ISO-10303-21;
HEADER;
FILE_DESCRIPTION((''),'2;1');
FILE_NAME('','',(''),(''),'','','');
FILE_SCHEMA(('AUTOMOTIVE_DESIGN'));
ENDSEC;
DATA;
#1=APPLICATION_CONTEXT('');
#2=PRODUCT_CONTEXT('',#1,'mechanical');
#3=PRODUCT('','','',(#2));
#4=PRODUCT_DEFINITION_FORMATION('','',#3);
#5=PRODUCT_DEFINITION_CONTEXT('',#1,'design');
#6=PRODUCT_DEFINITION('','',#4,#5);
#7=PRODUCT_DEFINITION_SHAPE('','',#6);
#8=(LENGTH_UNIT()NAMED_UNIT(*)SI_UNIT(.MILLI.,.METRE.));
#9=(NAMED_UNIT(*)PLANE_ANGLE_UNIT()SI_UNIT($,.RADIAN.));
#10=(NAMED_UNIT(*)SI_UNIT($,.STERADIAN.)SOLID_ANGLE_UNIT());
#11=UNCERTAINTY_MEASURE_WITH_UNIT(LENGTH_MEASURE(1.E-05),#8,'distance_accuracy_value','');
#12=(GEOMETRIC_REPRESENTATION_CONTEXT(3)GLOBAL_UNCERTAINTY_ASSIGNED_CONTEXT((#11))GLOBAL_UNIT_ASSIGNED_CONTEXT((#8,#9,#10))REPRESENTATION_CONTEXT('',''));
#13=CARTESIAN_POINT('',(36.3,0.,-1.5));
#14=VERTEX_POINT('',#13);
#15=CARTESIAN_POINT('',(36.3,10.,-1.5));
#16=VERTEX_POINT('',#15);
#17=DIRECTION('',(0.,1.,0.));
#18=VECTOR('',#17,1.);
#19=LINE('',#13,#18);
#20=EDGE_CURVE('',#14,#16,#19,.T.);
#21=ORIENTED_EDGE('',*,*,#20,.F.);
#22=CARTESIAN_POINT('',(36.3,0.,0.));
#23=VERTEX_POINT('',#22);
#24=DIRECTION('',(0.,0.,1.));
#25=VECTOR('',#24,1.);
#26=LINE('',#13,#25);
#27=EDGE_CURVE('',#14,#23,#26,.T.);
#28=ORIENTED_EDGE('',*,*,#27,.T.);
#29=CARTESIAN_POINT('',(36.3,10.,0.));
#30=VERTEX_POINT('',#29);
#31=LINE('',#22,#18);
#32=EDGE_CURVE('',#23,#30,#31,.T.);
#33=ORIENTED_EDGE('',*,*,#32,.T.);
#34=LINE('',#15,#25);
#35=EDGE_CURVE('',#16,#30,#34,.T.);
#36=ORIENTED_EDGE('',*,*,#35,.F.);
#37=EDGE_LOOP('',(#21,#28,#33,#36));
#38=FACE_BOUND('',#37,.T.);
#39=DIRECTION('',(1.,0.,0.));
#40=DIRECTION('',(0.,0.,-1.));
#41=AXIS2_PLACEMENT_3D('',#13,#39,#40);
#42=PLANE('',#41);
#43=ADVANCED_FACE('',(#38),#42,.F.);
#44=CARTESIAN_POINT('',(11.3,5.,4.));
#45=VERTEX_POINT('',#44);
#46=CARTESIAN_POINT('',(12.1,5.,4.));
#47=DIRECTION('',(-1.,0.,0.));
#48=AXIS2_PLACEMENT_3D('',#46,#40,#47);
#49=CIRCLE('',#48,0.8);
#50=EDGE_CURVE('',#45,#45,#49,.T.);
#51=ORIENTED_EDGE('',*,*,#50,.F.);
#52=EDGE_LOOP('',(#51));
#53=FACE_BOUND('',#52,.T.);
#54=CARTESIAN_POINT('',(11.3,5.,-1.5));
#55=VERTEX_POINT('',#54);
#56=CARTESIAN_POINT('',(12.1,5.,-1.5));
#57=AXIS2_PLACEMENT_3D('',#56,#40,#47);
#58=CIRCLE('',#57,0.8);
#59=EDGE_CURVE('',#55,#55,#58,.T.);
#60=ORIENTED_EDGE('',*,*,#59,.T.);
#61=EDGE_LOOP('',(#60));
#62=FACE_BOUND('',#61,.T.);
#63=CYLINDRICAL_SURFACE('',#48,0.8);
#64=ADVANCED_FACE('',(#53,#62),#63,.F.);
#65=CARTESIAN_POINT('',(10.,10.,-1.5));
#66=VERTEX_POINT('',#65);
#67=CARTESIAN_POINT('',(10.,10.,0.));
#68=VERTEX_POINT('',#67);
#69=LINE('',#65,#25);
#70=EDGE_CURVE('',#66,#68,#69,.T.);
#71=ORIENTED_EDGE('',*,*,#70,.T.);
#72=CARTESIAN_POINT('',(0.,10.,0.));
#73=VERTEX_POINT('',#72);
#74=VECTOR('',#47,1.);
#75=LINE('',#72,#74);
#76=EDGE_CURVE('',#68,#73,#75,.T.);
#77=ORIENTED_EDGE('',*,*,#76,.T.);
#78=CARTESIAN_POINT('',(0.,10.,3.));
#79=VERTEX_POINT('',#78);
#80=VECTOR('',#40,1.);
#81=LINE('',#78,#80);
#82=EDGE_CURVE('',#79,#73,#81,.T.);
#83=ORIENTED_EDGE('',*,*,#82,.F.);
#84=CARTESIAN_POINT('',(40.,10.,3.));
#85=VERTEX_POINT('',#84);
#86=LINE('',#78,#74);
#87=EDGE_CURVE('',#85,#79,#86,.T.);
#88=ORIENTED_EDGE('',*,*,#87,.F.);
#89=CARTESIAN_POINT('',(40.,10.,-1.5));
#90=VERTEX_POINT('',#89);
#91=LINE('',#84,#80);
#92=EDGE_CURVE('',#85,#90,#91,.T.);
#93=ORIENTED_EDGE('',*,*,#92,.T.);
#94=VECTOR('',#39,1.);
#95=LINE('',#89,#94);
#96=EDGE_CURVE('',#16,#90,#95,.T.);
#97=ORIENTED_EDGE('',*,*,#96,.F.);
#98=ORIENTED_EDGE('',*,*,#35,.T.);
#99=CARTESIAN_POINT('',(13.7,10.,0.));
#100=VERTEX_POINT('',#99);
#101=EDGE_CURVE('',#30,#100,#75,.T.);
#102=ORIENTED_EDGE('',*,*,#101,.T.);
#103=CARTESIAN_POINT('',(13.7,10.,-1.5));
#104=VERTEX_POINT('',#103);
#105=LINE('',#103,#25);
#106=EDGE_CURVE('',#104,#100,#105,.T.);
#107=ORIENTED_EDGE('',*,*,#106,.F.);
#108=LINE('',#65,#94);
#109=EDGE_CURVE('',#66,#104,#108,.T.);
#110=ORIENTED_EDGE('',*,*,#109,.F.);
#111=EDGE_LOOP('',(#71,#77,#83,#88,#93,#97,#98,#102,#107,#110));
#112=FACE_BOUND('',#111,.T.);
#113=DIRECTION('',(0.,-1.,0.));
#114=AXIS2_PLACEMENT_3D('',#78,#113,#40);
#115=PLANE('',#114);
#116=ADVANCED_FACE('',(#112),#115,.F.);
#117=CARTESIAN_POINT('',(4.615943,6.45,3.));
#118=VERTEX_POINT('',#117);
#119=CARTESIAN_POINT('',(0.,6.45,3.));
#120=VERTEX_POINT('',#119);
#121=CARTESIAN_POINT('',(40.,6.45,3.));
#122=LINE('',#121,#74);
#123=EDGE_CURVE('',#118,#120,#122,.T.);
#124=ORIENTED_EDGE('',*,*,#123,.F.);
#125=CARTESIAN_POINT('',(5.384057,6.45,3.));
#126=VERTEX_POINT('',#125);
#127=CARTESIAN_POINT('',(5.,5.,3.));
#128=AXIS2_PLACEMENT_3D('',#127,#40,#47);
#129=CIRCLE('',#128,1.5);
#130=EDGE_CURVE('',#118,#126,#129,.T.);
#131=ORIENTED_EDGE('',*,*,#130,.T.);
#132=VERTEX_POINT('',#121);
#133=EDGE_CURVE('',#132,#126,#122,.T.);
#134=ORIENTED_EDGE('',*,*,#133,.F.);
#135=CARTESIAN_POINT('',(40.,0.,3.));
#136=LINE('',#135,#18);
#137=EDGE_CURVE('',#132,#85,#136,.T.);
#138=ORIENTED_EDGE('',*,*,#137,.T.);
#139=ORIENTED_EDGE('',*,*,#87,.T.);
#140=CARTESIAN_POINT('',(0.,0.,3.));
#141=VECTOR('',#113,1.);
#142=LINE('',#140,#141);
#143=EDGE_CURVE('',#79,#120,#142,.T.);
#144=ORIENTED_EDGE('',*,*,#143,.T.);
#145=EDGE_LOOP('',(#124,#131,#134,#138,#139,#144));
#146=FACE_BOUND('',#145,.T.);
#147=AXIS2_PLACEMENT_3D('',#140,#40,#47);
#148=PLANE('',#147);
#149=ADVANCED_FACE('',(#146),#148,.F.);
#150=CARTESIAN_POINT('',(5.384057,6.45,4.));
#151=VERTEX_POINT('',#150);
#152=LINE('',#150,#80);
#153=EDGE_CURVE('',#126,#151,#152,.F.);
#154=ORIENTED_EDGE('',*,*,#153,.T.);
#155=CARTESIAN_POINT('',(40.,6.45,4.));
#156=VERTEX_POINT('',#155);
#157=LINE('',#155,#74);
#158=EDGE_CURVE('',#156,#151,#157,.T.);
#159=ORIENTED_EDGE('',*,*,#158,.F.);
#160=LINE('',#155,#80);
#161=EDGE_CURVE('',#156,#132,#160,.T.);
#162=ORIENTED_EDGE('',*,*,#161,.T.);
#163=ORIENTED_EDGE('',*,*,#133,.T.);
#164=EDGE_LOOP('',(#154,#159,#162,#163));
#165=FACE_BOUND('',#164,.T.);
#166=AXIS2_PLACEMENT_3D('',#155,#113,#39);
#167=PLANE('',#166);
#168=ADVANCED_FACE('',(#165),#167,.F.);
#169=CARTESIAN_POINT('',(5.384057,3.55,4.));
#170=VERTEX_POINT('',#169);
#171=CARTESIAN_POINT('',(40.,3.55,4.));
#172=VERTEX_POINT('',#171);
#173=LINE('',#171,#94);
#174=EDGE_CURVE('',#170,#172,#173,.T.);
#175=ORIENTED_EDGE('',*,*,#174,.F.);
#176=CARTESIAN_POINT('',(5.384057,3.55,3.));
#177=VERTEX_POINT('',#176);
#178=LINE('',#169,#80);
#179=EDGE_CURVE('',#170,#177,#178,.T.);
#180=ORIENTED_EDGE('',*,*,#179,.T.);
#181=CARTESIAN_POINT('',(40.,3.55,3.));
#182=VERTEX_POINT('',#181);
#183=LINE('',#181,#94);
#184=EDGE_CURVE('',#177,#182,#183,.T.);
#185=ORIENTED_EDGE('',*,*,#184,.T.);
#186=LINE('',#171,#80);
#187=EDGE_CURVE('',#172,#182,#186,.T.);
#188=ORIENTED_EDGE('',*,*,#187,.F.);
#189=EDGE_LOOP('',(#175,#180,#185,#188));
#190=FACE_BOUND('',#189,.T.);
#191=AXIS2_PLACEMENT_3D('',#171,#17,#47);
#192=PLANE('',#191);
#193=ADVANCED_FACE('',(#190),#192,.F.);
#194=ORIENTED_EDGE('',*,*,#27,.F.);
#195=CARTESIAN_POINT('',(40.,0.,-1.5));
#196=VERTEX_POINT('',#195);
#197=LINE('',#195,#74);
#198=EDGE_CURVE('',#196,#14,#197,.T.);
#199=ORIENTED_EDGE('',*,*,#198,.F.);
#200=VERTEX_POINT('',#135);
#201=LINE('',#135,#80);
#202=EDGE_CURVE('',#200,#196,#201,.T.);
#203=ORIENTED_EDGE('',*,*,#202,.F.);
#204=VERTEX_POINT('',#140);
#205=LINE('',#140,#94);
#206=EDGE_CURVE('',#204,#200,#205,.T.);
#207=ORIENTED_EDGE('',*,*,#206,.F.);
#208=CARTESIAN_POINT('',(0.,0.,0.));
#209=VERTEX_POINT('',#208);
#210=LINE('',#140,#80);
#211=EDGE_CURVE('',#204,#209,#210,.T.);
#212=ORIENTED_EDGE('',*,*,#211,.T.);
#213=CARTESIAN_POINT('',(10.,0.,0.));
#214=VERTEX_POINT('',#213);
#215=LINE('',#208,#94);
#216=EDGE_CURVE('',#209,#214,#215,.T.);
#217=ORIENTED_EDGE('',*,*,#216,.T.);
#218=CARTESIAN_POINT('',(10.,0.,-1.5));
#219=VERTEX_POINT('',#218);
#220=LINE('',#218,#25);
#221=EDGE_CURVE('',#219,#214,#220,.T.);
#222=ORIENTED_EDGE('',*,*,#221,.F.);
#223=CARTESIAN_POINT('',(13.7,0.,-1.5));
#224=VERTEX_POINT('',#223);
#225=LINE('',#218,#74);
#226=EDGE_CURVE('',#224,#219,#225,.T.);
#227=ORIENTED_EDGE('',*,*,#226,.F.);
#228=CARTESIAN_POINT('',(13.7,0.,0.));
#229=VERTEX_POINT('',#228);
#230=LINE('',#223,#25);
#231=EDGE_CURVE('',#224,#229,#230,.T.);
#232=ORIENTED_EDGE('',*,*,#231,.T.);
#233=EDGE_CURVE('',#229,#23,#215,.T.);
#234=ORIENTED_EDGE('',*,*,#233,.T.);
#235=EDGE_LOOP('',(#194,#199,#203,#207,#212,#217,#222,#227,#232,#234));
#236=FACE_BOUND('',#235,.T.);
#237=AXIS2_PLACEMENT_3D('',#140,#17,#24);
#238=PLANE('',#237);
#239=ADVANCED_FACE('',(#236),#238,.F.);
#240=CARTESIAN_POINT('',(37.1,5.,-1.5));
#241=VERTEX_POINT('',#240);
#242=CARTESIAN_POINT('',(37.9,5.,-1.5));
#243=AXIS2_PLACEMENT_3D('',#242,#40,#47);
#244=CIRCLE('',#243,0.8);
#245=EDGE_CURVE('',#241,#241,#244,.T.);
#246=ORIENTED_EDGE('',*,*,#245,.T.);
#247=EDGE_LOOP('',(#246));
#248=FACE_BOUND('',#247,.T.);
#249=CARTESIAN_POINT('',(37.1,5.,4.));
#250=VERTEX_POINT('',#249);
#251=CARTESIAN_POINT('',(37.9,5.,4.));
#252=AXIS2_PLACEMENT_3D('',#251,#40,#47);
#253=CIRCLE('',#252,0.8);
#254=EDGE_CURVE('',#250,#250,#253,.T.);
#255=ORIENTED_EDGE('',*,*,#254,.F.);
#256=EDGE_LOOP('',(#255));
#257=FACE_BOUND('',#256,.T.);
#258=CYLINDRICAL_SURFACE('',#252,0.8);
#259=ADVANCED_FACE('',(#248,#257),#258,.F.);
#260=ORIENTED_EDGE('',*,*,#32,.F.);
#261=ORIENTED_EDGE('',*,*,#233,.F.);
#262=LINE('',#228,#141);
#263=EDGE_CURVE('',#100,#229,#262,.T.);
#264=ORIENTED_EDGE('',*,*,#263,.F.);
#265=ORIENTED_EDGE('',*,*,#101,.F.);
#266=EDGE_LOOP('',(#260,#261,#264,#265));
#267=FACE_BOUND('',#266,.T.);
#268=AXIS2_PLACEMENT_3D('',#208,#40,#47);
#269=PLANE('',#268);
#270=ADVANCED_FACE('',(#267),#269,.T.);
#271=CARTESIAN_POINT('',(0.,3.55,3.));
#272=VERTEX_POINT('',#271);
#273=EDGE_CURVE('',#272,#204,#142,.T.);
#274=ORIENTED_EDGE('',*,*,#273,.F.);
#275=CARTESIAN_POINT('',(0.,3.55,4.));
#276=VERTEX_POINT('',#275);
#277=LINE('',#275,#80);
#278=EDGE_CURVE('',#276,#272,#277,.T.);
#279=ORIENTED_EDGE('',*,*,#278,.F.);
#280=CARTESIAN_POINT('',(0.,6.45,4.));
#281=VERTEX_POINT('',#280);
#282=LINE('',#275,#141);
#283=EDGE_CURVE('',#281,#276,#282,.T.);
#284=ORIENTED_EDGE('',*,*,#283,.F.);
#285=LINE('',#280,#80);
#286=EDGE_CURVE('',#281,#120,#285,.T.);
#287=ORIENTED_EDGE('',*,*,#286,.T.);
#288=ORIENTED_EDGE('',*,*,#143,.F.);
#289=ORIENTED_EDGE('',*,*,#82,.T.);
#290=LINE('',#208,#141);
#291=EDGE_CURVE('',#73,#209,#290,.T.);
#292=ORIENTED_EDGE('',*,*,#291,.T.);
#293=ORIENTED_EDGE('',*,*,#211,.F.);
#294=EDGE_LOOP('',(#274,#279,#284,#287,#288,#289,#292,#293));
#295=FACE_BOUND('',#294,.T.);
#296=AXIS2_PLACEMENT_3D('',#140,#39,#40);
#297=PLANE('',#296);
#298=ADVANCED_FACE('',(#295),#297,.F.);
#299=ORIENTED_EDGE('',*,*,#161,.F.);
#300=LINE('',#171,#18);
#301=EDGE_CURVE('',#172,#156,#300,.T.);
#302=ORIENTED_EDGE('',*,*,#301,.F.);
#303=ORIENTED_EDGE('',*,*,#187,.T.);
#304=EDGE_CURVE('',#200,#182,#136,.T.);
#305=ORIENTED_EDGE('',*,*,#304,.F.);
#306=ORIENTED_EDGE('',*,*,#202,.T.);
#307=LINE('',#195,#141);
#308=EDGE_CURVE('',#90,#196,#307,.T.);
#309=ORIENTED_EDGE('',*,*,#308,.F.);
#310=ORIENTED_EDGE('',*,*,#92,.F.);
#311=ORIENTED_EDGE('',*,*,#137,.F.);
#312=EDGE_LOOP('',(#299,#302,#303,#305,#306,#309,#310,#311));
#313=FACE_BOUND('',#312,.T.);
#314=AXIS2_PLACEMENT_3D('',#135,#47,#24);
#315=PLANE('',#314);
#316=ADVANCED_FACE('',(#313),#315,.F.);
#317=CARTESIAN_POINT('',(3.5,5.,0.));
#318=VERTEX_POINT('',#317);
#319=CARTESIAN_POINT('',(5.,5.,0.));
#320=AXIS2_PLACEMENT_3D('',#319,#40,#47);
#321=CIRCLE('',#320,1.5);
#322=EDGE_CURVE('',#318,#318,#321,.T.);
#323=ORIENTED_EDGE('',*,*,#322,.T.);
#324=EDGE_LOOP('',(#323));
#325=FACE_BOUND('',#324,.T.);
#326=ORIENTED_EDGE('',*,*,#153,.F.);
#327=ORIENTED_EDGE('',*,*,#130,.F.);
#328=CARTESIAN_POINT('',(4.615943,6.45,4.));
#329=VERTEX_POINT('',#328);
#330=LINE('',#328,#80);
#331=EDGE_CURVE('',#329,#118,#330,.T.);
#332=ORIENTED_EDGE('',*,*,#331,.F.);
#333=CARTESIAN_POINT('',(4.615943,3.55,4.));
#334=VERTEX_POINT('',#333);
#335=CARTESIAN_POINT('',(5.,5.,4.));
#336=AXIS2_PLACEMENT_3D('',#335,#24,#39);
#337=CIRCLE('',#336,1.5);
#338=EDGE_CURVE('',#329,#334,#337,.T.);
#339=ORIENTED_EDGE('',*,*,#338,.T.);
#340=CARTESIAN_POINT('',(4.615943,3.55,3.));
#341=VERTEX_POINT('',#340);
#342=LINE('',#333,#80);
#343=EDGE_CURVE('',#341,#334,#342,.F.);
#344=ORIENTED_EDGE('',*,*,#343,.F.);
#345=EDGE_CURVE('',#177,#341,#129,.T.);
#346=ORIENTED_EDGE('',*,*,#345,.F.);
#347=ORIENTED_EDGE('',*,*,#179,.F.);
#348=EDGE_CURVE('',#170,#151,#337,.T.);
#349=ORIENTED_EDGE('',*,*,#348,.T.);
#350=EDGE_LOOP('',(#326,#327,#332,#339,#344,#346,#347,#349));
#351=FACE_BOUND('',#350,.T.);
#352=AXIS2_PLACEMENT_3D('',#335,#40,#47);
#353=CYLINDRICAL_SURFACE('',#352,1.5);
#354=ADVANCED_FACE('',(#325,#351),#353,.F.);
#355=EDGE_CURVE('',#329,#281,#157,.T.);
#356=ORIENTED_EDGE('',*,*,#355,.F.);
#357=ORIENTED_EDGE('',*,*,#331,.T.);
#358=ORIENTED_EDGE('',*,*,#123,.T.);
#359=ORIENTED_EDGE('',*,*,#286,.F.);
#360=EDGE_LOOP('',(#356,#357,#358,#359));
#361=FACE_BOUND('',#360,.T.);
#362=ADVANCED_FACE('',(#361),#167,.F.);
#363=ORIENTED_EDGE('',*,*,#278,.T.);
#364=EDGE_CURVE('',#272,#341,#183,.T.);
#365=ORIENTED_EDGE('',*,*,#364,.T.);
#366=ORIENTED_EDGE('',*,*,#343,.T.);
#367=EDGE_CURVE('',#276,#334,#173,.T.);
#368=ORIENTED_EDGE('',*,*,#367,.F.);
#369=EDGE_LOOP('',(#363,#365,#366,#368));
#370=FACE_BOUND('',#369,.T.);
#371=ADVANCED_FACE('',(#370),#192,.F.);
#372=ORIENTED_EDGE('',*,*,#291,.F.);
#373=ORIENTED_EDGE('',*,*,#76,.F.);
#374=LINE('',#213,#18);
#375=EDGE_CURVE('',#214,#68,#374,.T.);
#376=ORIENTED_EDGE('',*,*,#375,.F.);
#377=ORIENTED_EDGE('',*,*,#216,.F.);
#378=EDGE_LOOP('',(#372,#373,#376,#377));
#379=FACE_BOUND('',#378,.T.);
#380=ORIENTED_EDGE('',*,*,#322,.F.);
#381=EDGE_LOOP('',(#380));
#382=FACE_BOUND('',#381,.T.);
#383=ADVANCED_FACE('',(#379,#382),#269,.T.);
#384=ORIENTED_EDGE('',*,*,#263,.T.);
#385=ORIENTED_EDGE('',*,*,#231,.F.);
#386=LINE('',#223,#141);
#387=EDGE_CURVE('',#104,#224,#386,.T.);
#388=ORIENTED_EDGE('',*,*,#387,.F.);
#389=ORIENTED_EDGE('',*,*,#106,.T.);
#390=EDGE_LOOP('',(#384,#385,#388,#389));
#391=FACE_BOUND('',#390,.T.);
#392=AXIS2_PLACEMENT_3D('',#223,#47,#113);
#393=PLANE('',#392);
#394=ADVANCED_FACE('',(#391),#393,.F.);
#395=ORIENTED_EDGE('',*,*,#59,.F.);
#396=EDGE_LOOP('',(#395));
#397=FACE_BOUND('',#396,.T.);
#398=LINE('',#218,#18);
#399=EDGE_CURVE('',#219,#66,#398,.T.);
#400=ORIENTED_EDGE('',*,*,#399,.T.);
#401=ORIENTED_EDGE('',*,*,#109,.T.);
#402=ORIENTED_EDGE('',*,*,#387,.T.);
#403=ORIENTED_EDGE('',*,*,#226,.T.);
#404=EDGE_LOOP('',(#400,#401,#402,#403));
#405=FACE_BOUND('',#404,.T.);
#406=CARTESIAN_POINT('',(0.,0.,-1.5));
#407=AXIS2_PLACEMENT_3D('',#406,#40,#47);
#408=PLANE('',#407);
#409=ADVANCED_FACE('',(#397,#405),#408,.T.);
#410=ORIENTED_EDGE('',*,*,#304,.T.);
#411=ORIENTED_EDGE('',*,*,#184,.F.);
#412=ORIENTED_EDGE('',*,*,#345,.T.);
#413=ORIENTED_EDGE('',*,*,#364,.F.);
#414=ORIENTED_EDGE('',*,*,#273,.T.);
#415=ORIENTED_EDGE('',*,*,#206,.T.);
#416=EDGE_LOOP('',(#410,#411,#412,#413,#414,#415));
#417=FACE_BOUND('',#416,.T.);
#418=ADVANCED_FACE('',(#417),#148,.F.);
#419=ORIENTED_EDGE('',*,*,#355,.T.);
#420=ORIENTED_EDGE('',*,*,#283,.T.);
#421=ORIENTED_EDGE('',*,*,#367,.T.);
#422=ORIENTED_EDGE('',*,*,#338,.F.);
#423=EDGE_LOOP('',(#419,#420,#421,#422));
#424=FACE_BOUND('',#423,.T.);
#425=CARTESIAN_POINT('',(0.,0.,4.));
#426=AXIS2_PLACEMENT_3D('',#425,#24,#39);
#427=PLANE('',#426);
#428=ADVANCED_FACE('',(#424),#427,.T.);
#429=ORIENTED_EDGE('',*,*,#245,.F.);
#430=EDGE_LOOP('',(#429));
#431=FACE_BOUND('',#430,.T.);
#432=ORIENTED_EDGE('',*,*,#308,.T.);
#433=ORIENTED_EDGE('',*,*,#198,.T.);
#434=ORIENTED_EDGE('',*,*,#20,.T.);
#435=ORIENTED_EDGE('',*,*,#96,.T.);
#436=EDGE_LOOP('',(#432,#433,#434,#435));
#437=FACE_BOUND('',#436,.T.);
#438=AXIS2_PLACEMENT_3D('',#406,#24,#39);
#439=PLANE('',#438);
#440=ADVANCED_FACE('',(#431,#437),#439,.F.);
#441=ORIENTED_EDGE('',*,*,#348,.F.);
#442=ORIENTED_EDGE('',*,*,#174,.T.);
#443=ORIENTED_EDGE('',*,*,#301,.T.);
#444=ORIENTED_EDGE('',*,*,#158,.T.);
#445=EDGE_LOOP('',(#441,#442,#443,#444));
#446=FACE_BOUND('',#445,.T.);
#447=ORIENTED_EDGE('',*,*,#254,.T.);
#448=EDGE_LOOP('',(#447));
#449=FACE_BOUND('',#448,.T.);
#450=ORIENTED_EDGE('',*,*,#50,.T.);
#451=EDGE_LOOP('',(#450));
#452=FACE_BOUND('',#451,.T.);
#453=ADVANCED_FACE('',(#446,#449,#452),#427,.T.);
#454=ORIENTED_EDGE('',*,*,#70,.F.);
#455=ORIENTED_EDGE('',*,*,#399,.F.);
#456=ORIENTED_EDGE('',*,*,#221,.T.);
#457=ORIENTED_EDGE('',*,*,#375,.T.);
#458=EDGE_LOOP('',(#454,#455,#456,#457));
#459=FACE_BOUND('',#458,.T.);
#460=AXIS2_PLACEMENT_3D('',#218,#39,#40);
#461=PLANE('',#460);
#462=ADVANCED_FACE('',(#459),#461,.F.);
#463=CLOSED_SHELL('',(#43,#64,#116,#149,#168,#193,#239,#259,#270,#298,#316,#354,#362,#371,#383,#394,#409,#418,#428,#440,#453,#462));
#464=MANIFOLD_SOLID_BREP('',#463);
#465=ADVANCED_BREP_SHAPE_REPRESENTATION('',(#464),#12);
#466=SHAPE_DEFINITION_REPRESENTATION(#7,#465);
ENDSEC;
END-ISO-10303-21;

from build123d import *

# Parameters (mm, degrees)
ESQUISSE1_W        = 40
ESQUISSE1_H        = 10
MAIN_DEPTH         = 3
ESQUISSE2_W        = 40
ESQUISSE2_H        = 2.9
CENTRALFIX_DEPTH   = 1
ESQUISSE3_R        = 1.5
HOLESFIX_DEPTH     = 5
SKETCH1_W          = 3.7
SKETCH1_H          = 10
FIXSUPPORT_DEPTH   = 1.5
SKETCH2_R          = 0.8
CUT_EXTRUDE1_DEPTH = 6.5


with BuildPart() as part:
    # Esquisse1 → Main (new body)
    with BuildSketch(Plane.XY):
        with Locations((20, 5)):
            Rectangle(ESQUISSE1_W, ESQUISSE1_H)
    extrude(amount=MAIN_DEPTH)

    # Esquisse2 → CentralFix (add)
    with BuildSketch(Plane.XY.offset(3)):
        with Locations((20, 5)):
            Rectangle(ESQUISSE2_W, ESQUISSE2_H)
    extrude(amount=CENTRALFIX_DEPTH)

    # Esquisse3 → HolesFix (cut, through all)
    with BuildSketch(Plane(origin=(0, 0, 0), x_dir=(-1, 0, 0), z_dir=(0, 0, -1))):
        with Locations((-5, 5)):
            Circle(ESQUISSE3_R)
    extrude(amount=-HOLESFIX_DEPTH, mode=Mode.SUBTRACT)

    # Sketch1 → FixSupport (add)
    with BuildSketch(Plane(origin=(0, 0, 0), x_dir=(-1, 0, 0), z_dir=(0, 0, -1))):
        with Locations((-11.85, 5)):
            Rectangle(SKETCH1_W, SKETCH1_H)
        with Locations((-38.15, 5)):
            Rectangle(SKETCH1_W, SKETCH1_H)
    extrude(amount=FIXSUPPORT_DEPTH)

    # Sketch2 → Cut-Extrude1 (cut, through all)
    with BuildSketch(Plane(origin=(0, 0, -1.5), x_dir=(-1, 0, 0), z_dir=(0, 0, -1))):
        with Locations((-37.9, 5)):
            Circle(SKETCH2_R)
        with Locations((-12.1, 5)):
            Circle(SKETCH2_R)
    extrude(amount=-CUT_EXTRUDE1_DEPTH, mode=Mode.SUBTRACT)


solid = part.part
